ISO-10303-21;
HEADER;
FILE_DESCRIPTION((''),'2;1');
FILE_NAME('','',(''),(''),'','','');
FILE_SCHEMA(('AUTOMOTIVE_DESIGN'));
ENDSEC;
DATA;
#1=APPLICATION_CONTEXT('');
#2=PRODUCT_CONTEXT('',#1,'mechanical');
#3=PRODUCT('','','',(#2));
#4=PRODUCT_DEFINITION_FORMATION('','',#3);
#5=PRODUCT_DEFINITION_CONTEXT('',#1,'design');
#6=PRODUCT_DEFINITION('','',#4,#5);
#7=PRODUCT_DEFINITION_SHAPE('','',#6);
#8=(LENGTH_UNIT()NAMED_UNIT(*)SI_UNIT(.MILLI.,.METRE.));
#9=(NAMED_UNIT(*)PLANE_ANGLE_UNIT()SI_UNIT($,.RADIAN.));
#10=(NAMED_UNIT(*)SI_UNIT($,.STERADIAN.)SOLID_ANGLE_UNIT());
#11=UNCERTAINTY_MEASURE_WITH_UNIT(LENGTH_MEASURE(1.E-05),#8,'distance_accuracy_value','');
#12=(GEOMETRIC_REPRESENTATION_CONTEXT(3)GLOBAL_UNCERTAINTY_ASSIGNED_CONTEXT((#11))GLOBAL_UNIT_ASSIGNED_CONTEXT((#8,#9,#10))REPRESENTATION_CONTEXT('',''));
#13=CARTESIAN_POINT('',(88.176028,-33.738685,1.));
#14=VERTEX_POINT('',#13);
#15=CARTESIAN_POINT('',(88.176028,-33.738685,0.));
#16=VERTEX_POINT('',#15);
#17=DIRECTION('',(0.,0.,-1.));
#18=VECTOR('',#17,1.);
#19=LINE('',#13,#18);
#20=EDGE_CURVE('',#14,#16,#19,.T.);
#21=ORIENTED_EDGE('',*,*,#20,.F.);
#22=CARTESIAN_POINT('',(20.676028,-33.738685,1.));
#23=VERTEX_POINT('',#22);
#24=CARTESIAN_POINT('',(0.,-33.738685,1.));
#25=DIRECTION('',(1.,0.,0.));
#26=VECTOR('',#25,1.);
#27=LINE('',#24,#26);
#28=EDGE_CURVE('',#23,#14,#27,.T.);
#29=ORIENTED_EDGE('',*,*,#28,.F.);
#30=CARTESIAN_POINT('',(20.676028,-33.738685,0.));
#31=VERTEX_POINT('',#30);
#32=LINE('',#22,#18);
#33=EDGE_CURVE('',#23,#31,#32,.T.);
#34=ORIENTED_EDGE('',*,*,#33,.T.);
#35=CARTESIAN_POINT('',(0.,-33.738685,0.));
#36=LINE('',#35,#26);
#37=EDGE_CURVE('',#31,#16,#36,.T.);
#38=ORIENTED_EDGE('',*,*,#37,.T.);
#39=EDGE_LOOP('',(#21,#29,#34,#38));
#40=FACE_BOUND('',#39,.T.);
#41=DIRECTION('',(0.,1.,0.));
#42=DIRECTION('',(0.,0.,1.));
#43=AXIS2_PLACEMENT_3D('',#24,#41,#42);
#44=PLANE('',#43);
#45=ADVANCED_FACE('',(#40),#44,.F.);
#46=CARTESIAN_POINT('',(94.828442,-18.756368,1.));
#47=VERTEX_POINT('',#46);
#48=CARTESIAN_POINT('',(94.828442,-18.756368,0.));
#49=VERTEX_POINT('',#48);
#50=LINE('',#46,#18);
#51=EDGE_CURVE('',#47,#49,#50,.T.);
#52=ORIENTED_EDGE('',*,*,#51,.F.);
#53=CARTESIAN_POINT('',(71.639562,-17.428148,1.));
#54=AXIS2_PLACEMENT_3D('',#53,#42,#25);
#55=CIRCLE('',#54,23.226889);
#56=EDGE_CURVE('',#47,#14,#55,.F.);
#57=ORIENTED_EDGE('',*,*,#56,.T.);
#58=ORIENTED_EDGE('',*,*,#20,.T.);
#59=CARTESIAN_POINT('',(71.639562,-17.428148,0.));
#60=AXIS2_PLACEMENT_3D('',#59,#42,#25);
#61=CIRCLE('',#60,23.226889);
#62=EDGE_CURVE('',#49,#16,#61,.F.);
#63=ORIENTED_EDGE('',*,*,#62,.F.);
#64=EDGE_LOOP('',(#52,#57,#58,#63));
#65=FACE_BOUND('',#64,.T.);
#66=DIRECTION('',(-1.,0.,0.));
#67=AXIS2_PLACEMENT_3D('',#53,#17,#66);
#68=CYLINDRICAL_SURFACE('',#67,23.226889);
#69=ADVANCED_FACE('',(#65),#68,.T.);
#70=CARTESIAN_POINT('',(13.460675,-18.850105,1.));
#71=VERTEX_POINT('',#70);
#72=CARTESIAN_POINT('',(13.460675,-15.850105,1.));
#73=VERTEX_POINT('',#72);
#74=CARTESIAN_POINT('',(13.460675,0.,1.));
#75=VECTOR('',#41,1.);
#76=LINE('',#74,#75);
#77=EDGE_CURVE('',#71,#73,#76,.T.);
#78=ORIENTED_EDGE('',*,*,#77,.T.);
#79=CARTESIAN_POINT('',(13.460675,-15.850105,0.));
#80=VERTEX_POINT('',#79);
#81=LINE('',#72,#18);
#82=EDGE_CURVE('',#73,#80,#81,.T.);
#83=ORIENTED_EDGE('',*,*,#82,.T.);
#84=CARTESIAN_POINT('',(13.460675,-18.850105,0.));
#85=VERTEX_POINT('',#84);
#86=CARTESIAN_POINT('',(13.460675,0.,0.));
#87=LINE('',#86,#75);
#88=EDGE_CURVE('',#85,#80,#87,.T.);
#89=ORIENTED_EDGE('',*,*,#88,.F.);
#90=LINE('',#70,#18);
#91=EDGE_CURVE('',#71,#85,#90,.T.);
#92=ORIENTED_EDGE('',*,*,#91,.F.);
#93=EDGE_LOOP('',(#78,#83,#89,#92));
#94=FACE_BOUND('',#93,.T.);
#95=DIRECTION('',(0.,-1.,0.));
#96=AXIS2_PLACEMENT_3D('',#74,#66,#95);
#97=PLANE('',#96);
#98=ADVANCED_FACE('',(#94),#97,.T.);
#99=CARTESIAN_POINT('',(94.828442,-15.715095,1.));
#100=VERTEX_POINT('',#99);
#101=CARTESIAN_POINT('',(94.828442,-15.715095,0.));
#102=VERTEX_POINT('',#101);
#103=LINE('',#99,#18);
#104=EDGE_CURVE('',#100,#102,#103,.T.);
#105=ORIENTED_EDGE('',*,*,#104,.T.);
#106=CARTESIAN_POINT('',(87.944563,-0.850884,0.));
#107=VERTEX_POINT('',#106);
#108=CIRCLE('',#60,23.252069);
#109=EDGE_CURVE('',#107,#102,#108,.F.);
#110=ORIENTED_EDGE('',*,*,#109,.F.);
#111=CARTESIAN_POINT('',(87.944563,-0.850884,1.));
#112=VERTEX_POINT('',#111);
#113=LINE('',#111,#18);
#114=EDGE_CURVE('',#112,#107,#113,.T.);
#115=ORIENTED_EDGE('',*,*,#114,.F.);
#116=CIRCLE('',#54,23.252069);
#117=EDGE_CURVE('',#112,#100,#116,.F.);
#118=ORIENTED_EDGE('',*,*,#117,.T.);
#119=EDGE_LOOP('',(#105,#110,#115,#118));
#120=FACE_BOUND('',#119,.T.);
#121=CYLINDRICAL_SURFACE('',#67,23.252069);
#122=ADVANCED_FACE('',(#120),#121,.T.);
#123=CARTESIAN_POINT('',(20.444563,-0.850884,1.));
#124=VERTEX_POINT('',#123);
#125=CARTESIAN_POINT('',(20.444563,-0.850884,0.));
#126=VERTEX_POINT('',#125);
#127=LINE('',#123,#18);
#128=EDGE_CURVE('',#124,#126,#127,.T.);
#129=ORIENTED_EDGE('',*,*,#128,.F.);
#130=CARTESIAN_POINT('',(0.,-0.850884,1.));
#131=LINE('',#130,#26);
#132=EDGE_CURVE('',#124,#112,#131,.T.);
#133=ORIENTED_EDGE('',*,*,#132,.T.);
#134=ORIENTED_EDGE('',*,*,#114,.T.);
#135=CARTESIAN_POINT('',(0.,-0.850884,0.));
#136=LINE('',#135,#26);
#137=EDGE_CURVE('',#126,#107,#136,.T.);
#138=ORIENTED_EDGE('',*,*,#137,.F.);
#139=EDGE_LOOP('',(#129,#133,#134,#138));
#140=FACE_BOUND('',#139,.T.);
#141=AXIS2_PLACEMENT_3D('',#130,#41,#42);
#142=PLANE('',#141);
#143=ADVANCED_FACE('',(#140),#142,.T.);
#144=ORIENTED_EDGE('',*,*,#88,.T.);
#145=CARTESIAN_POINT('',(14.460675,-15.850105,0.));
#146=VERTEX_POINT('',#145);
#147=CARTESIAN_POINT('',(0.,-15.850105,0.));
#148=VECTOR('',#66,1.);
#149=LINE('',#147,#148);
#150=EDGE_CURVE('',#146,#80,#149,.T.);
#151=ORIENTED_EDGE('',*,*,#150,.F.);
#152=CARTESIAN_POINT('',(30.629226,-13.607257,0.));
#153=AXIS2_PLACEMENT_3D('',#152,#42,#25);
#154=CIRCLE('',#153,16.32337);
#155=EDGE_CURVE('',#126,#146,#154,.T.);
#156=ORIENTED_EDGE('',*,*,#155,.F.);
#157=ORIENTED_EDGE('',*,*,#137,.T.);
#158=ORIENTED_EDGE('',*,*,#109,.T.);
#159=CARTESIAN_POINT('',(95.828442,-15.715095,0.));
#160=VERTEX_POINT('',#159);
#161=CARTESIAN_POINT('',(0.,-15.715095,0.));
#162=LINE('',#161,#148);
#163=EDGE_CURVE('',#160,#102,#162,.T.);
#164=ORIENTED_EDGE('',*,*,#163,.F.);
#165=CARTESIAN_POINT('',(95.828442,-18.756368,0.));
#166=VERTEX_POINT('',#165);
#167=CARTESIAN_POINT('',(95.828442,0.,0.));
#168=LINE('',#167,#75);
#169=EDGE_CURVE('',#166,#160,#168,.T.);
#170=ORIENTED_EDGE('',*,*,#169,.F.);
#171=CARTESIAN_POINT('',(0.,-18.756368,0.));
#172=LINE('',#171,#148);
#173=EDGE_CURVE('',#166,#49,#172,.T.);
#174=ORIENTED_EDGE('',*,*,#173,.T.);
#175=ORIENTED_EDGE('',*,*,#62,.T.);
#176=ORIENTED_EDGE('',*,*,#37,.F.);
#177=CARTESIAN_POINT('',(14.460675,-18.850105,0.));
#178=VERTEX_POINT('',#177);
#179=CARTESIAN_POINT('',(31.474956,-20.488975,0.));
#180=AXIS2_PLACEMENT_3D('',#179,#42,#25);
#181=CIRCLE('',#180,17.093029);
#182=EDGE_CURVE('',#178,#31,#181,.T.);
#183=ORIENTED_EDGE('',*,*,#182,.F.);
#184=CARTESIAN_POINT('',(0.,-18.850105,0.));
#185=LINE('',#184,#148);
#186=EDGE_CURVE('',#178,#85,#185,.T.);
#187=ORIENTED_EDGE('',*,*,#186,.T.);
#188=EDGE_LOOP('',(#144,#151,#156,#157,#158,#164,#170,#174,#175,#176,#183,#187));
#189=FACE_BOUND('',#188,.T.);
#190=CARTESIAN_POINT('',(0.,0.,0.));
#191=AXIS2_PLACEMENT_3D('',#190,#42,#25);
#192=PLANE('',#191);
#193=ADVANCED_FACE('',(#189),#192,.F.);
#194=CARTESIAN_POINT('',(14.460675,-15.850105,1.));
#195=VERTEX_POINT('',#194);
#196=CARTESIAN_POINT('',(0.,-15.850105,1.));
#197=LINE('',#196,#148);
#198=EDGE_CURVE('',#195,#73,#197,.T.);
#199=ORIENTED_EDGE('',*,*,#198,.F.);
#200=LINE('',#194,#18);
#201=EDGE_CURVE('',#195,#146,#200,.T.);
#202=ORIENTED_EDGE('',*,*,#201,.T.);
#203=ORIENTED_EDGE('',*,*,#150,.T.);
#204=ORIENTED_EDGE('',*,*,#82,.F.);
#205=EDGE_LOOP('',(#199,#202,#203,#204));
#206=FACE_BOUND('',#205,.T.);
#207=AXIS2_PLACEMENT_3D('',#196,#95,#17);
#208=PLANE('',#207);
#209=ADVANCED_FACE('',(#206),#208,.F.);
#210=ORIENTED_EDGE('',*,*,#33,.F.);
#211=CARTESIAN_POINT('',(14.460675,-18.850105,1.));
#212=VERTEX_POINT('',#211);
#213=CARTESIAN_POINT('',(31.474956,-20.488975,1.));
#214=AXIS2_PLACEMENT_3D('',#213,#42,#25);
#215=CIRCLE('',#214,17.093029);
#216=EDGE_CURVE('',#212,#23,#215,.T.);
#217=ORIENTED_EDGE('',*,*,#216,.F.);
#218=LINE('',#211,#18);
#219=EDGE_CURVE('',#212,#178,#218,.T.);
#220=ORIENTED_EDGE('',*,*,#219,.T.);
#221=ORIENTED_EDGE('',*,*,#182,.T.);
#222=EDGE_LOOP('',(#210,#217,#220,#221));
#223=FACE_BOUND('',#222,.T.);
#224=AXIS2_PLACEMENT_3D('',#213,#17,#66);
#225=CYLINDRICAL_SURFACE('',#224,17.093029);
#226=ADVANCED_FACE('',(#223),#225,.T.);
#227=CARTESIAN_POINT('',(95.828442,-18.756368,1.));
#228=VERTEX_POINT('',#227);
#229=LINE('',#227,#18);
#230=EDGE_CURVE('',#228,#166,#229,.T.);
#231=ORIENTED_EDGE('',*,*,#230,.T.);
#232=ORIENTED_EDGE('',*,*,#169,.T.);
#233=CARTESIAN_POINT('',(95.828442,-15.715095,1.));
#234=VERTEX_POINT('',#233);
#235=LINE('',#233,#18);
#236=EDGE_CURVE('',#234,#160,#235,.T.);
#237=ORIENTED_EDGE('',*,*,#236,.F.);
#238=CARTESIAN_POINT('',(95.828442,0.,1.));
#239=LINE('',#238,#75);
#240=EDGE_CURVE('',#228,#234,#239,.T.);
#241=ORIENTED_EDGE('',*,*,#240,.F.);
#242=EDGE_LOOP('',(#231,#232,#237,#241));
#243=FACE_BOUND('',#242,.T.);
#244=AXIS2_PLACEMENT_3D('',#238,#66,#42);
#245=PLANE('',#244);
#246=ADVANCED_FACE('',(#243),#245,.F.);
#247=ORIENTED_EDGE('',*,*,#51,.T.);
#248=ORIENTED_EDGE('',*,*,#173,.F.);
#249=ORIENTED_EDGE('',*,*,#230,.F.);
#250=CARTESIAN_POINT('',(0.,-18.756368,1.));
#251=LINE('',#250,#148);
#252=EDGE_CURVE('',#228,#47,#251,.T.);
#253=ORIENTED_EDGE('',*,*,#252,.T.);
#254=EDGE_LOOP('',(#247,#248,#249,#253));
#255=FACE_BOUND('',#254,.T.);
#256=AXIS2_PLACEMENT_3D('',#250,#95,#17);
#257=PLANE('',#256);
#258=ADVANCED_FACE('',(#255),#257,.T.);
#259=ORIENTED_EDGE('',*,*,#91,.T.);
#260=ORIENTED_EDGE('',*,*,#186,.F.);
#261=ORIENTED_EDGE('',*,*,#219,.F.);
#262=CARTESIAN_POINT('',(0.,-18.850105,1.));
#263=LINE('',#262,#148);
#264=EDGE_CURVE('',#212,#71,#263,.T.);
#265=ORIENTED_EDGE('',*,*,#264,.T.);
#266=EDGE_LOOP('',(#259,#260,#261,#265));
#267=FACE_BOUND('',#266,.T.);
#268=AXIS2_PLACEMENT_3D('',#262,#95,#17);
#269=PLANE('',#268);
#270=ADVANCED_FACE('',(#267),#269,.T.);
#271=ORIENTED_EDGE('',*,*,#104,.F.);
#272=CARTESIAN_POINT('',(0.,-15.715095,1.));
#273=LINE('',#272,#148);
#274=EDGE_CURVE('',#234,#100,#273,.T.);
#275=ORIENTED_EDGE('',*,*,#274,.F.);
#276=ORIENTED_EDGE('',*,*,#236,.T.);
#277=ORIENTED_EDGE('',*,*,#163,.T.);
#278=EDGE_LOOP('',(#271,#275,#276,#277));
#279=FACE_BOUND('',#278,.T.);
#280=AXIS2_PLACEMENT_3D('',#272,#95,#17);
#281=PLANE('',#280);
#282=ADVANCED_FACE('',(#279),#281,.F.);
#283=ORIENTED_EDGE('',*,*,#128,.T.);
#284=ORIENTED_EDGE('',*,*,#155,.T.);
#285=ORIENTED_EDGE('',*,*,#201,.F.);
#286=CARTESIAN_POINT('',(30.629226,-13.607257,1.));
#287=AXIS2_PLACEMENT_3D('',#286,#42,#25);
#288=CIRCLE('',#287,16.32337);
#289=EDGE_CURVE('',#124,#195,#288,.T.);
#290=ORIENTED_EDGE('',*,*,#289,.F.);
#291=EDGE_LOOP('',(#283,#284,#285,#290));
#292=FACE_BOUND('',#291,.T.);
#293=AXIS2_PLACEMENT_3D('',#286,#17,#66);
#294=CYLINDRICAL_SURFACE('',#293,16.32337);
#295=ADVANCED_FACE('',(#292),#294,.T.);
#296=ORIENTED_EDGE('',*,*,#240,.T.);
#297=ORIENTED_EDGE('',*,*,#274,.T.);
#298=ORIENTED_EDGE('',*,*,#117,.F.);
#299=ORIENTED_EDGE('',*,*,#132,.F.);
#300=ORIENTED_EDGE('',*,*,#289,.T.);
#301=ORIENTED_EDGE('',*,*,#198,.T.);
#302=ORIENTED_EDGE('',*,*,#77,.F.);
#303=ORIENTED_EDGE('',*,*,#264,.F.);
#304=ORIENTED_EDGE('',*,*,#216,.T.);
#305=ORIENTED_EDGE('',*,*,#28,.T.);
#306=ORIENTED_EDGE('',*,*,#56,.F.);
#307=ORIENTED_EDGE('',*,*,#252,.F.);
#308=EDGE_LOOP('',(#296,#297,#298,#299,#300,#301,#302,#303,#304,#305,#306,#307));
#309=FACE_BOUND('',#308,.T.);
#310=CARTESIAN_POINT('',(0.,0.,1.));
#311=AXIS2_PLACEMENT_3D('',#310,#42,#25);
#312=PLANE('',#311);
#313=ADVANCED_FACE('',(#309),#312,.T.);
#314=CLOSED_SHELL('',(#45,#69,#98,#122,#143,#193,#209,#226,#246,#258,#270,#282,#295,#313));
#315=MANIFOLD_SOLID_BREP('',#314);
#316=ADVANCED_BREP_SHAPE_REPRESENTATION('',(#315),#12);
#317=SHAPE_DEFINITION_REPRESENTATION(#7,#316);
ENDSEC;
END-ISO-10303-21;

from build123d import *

# Parameters (mm, degrees)
BOSS_EXTRUDE1_DEPTH = 1


with BuildPart() as part:
    # cover → Boss-Extrude1 (new body)
    with BuildSketch(Plane.XY):
        with BuildLine():
            Line((20.444562716, -0.850883997), (87.944562716, -0.850883997))
            ThreePointArc((87.944562716, -0.850883997), (92.738800071, -7.656716494), (94.828442149, -15.715094978))
            Line((94.828442149, -15.715094978), (95.828442149, -15.715094978))
            Line((95.828442149, -15.715094978), (95.828442149, -18.75636772))
            Line((95.828442149, -18.75636772), (94.828442149, -18.75636772))
            ThreePointArc((94.828442149, -18.75636772), (92.86792134, -26.853915137), (88.176028155, -33.738684876))
            Line((88.176028155, -33.738684876), (20.676028155, -33.738684876))
            ThreePointArc((20.676028155, -33.738684876), (15.70120872, -27.073848015), (14.460674913, -18.850104667))
            Line((14.460674913, -18.850104667), (13.460674913, -18.850104667))
            Line((13.460674913, -18.850104667), (13.460674913, -15.850104667))
            Line((13.460674913, -15.850104667), (14.460674913, -15.850104667))
            ThreePointArc((14.460674913, -15.850104667), (15.467856256, -7.558680095), (20.444562716, -0.850883997))
        make_face()
    extrude(amount=BOSS_EXTRUDE1_DEPTH)


solid = part.part
